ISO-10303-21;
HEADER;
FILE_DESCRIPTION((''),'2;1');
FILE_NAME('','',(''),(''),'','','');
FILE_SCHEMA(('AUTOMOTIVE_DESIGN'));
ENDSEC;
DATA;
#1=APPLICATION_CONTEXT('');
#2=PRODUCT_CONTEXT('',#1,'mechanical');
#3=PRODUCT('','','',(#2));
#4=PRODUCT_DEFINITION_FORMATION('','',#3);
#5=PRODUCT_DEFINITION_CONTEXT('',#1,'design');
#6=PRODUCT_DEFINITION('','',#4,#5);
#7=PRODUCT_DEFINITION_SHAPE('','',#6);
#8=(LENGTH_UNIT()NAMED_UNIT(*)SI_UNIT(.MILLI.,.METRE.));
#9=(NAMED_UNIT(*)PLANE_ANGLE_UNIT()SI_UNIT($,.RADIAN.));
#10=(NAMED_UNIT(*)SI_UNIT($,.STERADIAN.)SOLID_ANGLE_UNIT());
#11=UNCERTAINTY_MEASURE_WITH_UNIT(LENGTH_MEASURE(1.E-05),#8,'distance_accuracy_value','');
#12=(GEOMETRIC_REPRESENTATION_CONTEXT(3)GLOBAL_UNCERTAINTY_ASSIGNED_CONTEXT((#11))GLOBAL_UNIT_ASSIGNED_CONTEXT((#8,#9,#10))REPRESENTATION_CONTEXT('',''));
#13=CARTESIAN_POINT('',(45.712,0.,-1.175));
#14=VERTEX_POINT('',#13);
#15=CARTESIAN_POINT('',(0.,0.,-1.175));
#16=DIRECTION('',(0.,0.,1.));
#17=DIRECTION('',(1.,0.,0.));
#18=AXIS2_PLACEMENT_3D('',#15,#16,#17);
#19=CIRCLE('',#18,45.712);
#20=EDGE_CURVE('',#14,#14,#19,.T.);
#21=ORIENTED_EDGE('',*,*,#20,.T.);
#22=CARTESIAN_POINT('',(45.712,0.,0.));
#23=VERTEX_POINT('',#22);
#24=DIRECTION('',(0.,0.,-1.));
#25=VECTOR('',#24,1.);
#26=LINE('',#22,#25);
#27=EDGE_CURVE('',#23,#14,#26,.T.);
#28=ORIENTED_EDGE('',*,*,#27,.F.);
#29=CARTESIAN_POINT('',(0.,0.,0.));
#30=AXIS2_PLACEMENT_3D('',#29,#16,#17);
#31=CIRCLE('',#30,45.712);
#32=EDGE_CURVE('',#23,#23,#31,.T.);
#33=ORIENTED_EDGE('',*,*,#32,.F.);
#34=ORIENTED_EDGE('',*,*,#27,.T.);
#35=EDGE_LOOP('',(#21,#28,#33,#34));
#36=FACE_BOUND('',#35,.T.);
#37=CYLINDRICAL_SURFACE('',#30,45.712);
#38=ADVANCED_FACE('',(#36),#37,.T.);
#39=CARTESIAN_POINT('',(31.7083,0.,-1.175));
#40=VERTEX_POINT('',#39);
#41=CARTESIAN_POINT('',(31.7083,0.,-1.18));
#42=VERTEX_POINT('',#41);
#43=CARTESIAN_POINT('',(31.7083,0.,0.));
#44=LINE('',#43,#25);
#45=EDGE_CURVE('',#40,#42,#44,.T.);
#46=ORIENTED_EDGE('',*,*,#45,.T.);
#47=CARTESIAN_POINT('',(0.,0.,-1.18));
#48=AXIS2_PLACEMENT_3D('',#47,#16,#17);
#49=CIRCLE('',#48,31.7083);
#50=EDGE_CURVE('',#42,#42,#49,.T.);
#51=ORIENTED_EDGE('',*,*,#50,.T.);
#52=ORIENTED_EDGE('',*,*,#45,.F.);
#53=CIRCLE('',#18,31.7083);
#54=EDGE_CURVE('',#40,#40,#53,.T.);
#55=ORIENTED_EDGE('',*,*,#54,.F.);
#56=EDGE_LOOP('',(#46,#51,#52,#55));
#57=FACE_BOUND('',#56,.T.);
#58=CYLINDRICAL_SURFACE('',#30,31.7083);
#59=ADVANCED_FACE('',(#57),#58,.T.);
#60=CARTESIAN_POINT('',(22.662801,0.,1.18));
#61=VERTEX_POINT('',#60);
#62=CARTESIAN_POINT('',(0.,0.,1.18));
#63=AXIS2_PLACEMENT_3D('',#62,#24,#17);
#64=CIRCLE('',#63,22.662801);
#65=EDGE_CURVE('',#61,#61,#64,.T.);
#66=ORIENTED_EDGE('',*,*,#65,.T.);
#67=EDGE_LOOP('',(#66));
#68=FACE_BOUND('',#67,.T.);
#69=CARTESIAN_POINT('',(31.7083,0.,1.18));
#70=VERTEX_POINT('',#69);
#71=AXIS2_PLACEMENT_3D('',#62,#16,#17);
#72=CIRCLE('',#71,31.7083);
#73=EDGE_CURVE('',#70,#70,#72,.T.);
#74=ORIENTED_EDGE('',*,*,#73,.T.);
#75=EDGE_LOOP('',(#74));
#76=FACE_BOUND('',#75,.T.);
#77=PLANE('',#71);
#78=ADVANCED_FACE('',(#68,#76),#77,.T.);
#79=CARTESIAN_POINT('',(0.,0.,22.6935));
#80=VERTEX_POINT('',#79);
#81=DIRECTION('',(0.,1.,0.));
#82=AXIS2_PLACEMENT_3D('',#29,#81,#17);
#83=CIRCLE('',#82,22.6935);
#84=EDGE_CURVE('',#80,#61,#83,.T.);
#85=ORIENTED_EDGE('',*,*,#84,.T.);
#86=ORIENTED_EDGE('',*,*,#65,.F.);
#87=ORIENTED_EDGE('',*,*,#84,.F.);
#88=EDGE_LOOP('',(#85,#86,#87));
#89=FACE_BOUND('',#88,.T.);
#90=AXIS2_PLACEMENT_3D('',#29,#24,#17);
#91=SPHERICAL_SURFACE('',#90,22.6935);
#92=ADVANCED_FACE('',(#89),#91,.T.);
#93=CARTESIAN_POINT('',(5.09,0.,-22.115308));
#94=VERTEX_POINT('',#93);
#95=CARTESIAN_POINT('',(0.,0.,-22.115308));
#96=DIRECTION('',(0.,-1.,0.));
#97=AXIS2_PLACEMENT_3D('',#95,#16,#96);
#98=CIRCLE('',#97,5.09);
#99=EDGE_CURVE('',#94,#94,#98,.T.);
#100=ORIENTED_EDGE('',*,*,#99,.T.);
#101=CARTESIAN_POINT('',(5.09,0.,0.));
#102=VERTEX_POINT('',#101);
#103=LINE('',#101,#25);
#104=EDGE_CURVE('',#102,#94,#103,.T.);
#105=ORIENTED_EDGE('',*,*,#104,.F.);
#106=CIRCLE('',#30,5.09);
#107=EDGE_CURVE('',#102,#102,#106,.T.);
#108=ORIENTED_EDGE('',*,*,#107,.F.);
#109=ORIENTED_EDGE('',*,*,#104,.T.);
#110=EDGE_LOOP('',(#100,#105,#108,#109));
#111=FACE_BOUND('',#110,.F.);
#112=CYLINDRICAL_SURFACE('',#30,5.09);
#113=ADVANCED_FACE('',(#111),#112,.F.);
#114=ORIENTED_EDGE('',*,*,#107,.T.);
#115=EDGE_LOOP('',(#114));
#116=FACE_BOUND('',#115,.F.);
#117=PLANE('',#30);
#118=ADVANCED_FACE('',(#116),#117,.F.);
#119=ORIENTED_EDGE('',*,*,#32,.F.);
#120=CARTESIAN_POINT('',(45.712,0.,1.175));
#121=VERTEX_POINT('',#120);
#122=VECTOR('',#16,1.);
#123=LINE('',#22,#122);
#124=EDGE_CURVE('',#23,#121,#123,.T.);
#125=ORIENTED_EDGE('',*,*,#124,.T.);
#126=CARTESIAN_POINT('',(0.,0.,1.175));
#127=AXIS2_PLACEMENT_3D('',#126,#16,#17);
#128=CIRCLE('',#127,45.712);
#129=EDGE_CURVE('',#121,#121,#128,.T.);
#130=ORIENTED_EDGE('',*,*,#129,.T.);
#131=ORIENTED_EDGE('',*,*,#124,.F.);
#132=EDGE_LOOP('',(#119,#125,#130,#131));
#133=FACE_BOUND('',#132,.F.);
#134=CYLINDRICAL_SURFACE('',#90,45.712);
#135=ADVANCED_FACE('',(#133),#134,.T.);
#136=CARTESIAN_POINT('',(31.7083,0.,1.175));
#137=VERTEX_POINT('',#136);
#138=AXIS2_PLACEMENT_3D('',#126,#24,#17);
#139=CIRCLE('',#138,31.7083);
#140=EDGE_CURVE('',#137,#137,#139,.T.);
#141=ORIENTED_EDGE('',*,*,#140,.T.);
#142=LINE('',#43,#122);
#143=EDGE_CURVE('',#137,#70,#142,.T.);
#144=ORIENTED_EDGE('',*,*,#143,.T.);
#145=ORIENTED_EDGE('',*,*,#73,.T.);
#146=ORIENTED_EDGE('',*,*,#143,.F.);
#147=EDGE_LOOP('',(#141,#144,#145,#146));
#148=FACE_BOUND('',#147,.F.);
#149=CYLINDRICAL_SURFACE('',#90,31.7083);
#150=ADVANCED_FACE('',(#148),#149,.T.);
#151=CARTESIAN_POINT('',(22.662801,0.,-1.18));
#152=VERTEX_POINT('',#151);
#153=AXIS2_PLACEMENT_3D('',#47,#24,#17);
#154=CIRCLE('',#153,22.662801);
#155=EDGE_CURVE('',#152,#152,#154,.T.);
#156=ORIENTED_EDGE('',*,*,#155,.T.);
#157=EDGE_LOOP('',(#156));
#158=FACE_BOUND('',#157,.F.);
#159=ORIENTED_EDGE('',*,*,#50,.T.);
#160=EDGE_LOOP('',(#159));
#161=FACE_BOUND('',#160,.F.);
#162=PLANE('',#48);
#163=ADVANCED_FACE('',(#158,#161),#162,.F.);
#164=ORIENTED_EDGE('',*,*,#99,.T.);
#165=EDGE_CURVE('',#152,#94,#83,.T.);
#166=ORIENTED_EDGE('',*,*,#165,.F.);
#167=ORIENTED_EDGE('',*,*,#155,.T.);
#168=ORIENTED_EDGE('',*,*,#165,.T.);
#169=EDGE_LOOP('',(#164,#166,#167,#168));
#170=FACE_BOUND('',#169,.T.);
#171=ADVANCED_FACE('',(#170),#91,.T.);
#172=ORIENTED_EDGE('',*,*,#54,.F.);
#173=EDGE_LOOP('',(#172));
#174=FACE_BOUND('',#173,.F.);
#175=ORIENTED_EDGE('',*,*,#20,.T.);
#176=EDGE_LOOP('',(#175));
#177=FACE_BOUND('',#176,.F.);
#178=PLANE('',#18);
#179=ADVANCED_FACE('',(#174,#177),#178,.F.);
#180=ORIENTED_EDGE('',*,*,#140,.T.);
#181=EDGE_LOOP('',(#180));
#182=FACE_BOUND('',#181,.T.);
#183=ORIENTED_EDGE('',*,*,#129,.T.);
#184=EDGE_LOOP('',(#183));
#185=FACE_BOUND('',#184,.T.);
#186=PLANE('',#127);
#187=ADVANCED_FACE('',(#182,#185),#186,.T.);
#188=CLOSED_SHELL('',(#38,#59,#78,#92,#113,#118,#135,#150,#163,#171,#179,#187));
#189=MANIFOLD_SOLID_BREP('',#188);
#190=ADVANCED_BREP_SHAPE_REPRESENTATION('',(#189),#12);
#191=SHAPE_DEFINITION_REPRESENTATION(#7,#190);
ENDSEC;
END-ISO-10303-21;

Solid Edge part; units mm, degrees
sketch "Sketch1" plane through (0, 0, 0) normal (0, -1, 0) x (1, 0, 0)
  line L0 (0, 22.6935) -> (0, -22.6935)
  arc A0 (0, 22.6935) -> (0, -22.6935) centre (0, 0) cw
revolve "RevolvedProtrusion1" add sketch "Sketch1" angle 360 about axis through (0, 0, 22.6935) along (0, 0, -1)
sketch "Sketch2" plane through (0, 0, 0) normal (0, 0, 1) x (1, 0, 0)
  circle A0 centre (0, 0) radius 45.712
extrude "Protrusion1" add sketch "Sketch2" along normal mid plane 2.35
sketch "Sketch3" plane through (0, 0, 0) normal (0, 0, 1) x (1, 0, 0)
  circle A0 centre (0, 0) radius 31.7083
extrude "ExtrudedProtrusion_9" add sketch "Sketch3" along normal mid plane 2.36
sketch "Sketch4" plane through (0, 0, 0) normal (0, 0, 1) x (1, 0, 0)
  circle A0 centre (0, 0) radius 5.09
extrude "ExtrudedCutout_1" cut sketch "Sketch4" against normal blind 53.2556
